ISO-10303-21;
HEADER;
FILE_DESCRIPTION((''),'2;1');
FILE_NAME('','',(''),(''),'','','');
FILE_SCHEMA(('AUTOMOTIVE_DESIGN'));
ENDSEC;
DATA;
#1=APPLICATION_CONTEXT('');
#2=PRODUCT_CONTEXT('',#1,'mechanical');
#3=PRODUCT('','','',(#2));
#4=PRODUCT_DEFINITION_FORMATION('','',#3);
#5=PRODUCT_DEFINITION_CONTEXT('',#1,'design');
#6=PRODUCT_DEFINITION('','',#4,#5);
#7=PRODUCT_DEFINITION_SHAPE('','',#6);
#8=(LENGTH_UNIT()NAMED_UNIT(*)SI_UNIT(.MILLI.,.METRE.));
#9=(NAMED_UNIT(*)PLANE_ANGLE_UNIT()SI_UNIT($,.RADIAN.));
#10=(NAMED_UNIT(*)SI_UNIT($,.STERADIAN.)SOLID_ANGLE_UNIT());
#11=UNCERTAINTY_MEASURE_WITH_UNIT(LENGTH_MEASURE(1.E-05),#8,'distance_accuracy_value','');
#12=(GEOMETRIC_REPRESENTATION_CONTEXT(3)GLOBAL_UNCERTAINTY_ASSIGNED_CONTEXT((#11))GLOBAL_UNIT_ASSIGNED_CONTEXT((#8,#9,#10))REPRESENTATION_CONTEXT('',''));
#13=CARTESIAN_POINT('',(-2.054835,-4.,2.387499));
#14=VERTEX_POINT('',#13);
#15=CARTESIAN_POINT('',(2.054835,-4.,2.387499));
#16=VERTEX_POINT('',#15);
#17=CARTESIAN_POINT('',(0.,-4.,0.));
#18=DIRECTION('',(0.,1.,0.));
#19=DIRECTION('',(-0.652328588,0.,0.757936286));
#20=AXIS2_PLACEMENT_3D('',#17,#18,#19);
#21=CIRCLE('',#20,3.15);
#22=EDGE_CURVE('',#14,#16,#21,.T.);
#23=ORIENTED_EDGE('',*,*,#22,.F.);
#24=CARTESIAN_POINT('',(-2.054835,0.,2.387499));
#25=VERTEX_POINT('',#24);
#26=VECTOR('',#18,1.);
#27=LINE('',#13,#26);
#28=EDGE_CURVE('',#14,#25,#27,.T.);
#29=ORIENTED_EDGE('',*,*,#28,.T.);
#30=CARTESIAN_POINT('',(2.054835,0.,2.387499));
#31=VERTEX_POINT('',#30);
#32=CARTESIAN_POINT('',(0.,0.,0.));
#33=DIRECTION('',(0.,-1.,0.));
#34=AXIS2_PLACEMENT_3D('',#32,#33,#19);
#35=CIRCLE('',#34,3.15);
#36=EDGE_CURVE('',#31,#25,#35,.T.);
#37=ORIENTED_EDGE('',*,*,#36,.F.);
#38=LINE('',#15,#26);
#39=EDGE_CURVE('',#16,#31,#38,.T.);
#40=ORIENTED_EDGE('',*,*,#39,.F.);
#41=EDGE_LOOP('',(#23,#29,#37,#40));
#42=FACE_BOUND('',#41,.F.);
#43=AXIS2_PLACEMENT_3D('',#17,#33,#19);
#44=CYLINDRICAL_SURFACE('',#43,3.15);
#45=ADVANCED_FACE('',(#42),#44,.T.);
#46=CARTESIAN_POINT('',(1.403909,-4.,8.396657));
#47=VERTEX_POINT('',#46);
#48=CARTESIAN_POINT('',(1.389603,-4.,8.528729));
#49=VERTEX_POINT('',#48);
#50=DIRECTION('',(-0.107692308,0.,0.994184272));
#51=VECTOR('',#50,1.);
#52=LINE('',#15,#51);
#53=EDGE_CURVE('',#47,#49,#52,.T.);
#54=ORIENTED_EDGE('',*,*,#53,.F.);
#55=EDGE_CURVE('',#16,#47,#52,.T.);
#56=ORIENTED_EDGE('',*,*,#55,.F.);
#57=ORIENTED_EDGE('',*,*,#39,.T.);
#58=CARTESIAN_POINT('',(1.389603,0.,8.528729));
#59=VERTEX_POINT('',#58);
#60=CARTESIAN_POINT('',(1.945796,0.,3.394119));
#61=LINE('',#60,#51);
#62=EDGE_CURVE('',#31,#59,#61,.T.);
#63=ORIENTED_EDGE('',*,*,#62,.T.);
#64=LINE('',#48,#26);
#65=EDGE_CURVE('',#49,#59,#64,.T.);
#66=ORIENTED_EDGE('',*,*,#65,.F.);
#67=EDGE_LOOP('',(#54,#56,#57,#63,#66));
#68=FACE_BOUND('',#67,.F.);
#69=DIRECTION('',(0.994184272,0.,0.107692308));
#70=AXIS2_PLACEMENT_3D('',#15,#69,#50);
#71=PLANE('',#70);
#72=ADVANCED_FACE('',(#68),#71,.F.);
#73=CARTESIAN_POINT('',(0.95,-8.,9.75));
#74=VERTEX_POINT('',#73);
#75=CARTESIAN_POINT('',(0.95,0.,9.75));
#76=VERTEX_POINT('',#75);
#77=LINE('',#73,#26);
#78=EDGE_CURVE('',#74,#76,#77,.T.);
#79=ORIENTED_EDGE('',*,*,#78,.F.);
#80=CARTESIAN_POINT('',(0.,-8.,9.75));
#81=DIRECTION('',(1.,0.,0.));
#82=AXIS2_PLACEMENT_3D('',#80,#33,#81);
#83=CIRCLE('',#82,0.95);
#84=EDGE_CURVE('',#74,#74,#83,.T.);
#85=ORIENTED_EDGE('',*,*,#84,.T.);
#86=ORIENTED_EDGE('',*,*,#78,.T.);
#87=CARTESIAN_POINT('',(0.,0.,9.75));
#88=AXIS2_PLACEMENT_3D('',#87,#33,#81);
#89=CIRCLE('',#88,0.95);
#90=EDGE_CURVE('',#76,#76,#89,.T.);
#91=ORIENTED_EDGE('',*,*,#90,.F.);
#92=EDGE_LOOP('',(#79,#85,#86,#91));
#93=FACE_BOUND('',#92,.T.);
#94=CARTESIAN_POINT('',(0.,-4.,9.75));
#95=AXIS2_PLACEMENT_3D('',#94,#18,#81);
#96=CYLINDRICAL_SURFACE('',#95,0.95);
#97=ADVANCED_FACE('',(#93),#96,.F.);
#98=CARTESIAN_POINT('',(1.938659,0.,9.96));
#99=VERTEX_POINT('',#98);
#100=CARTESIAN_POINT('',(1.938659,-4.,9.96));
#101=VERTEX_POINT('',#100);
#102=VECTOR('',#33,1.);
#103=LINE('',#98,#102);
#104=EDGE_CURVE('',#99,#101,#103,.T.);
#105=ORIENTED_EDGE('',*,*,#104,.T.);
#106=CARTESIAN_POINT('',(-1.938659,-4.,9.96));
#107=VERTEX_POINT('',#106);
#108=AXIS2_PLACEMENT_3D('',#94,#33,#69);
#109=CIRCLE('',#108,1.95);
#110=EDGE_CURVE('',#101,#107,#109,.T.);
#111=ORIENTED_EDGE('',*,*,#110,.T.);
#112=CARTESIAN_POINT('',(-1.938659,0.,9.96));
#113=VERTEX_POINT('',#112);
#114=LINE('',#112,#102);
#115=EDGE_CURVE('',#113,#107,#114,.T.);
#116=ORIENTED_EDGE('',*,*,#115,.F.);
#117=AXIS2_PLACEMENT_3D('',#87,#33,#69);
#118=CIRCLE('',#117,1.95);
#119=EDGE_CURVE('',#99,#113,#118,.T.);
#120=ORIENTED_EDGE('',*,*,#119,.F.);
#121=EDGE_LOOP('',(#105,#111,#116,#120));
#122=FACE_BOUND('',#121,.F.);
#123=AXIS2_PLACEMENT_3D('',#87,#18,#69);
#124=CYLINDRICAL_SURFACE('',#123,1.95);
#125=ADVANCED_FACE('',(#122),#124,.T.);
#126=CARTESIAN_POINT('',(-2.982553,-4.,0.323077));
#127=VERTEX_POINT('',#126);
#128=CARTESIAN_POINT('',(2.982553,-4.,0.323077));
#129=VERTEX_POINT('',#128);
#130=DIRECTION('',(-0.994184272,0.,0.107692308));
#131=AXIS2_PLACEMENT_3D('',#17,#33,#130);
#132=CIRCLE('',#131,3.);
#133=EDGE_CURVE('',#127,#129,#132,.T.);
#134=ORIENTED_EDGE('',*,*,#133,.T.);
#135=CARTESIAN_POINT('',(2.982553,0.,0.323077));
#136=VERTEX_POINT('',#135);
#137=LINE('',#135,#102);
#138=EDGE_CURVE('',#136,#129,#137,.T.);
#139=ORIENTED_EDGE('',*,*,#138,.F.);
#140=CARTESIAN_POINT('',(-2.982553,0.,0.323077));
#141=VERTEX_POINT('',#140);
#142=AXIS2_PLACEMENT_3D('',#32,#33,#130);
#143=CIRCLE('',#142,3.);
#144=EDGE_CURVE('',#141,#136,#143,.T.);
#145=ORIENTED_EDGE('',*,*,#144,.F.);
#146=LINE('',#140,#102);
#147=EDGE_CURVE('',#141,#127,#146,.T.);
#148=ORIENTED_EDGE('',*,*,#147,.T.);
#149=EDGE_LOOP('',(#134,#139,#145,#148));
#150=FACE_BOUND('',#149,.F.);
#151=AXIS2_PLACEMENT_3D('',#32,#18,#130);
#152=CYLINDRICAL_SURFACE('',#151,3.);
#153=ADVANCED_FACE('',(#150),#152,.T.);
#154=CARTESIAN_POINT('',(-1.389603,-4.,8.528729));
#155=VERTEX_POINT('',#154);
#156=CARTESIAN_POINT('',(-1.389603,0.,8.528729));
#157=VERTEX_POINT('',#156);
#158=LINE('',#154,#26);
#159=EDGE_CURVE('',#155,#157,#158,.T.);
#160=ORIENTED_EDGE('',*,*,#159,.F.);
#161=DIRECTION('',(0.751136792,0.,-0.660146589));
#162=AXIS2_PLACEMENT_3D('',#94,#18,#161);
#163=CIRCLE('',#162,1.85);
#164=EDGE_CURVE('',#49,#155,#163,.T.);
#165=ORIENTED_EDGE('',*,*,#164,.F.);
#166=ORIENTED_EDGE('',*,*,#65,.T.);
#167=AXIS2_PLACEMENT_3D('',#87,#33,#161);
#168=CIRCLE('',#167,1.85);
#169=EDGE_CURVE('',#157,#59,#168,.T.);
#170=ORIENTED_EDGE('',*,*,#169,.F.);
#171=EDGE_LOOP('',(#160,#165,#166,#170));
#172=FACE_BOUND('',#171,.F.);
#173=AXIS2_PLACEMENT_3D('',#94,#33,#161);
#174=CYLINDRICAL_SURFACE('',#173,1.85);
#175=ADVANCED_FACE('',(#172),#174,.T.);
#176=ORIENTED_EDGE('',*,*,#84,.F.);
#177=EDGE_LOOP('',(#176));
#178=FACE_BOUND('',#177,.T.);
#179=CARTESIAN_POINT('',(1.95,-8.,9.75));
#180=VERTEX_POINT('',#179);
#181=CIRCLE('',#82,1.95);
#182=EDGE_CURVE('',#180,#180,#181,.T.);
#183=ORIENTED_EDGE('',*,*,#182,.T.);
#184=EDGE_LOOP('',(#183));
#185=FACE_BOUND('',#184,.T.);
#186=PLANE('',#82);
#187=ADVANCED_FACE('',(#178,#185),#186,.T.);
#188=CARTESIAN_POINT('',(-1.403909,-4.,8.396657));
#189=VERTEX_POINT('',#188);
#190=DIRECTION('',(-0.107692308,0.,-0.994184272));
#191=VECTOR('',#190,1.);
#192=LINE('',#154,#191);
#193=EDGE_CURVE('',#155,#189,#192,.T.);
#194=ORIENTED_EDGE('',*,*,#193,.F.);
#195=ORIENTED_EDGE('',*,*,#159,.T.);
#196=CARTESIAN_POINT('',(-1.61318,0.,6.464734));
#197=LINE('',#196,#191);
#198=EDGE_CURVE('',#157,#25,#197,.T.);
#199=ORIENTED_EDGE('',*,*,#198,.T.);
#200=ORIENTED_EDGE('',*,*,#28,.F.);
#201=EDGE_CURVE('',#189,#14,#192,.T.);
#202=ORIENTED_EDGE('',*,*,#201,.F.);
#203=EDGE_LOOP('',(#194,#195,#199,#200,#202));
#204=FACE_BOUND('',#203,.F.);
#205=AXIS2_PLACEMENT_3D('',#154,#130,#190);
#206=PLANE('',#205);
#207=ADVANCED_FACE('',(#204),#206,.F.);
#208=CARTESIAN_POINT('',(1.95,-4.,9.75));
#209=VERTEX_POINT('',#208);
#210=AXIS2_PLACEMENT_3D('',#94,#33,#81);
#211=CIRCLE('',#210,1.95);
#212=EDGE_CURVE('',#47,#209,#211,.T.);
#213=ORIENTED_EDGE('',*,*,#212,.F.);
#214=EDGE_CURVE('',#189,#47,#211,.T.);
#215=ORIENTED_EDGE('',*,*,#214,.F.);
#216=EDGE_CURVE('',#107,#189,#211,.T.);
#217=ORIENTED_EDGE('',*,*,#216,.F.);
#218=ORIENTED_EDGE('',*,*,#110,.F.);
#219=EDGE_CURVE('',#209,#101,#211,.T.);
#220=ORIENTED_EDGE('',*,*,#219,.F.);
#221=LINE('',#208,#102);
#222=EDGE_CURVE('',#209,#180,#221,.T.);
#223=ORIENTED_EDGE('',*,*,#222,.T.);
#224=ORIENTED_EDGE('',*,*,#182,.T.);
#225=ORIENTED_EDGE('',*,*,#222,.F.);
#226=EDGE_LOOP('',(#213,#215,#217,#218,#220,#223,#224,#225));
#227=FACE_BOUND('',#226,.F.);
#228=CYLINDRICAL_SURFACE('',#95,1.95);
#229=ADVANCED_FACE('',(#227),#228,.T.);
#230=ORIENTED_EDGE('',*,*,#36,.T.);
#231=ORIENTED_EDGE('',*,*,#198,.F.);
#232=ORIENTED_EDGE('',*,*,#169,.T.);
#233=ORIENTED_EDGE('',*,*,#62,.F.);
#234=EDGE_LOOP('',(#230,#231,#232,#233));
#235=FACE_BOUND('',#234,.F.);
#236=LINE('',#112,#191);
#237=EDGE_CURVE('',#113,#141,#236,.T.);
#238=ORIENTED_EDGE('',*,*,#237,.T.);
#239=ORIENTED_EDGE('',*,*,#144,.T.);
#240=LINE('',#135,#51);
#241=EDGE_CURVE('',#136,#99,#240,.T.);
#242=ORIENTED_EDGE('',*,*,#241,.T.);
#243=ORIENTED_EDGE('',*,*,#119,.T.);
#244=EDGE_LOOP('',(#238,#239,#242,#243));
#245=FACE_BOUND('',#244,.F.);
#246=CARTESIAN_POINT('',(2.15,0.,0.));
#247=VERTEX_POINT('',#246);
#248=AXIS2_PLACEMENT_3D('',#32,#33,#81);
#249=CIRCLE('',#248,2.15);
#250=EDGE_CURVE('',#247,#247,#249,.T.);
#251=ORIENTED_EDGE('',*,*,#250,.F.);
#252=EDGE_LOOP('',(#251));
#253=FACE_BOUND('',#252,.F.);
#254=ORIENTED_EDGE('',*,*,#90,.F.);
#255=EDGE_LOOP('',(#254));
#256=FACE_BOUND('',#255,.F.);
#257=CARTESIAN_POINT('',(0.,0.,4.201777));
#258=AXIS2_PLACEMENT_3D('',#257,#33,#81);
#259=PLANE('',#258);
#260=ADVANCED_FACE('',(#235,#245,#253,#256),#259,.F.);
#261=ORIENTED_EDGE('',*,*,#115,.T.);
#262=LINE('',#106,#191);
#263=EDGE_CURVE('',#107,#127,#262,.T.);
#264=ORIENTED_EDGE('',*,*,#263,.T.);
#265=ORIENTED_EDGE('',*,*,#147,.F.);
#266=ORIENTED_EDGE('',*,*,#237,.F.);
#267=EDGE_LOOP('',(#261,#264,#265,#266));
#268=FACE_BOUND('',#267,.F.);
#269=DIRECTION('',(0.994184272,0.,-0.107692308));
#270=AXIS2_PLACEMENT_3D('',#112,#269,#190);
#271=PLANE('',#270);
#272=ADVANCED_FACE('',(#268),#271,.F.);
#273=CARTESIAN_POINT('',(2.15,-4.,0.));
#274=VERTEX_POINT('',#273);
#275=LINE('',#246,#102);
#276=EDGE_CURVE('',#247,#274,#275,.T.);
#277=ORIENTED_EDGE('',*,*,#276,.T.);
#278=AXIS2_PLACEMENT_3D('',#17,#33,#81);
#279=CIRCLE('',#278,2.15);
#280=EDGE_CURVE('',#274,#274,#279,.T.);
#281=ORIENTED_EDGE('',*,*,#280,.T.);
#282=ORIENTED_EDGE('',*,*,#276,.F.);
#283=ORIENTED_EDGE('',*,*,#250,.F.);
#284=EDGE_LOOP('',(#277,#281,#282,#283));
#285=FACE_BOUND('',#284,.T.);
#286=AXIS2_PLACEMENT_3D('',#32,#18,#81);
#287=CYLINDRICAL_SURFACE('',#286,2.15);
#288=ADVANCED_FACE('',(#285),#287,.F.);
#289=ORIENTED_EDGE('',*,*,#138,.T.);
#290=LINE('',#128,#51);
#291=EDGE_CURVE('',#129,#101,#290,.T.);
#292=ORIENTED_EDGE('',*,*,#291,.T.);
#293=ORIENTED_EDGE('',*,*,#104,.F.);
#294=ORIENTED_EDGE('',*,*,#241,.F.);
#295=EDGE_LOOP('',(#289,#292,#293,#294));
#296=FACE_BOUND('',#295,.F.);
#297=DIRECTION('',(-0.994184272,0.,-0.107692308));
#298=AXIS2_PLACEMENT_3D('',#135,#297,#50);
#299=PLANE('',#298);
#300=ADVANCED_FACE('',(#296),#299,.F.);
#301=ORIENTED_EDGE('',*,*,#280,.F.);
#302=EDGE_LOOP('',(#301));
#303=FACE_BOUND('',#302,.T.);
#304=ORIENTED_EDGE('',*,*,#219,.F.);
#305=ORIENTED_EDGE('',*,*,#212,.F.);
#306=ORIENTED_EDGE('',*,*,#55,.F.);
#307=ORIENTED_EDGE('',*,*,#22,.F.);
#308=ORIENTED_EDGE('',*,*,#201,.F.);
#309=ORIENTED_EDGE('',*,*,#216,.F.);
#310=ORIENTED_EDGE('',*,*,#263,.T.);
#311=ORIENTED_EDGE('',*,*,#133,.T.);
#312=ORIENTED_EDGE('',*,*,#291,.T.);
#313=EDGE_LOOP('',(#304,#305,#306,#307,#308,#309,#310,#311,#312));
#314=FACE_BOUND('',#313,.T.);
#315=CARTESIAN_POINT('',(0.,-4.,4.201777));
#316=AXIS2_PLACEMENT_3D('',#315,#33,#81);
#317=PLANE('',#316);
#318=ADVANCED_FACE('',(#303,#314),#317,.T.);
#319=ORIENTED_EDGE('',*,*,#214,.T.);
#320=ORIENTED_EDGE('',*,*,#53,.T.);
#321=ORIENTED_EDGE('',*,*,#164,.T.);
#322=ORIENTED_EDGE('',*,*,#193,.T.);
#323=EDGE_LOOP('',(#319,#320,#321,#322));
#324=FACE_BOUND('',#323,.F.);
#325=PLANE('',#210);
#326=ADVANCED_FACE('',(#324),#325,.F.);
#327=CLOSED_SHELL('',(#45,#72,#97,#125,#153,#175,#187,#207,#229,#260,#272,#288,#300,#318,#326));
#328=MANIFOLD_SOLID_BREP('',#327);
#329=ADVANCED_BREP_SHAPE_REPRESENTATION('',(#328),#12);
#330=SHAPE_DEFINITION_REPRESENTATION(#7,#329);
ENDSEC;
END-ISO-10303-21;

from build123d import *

# Parameters (mm, degrees)
F0_R     = 2.15
F0_R_2   = 0.95
F1_DEPTH = 4
F3_DEPTH = 25
F4_R     = 1.95
F4_R_2   = 0.95
F5_DEPTH = 4


with BuildPart() as f1:
    # F0 (on Front) → F1 (new body)
    with BuildSketch(Plane.XZ):
        with BuildLine():
            Line((-1.9386593306, 9.96), (-2.9825528163, 0.3230769231))
            ThreePointArc((-2.9825528163, 0.3230769231), (0, -3), (2.9825528163, 0.3230769231))
            Line((2.9825528163, 0.3230769231), (1.9386593306, 9.96))
            ThreePointArc((1.9386593306, 9.96), (0, 11.7), (-1.9386593306, 9.96))
        make_face()
        Circle(F0_R, mode=Mode.SUBTRACT)
        with Locations((0, 9.75)):
            Circle(F0_R_2, mode=Mode.SUBTRACT)
    extrude(amount=F1_DEPTH)

    # F2 (on face) → F3 (cut)
    with BuildSketch(Plane.XZ.offset(4)):
        with BuildLine():
            ThreePointArc((1.3896030661, 8.5287288103), (0, 7.9), (-1.3896030661, 8.5287288103))
            Line((-1.3896030661, 8.5287288103), (-2.0548350523, 2.3874993))
            ThreePointArc((-2.0548350523, 2.3874993), (0, 3.15), (2.0548350523, 2.3874993))
            Line((2.0548350523, 2.3874993), (1.3896030661, 8.5287288103))
        make_face()
    extrude(amount=-F3_DEPTH, mode=Mode.SUBTRACT)

    # F4 (on face) → F5 (join)
    with BuildSketch(Plane.XZ.offset(4)):
        with Locations((0, 9.75)):
            Circle(F4_R)
        with Locations((0, 9.75)):
            Circle(F4_R_2, mode=Mode.SUBTRACT)
    extrude(amount=F5_DEPTH)


solid = f1.part
